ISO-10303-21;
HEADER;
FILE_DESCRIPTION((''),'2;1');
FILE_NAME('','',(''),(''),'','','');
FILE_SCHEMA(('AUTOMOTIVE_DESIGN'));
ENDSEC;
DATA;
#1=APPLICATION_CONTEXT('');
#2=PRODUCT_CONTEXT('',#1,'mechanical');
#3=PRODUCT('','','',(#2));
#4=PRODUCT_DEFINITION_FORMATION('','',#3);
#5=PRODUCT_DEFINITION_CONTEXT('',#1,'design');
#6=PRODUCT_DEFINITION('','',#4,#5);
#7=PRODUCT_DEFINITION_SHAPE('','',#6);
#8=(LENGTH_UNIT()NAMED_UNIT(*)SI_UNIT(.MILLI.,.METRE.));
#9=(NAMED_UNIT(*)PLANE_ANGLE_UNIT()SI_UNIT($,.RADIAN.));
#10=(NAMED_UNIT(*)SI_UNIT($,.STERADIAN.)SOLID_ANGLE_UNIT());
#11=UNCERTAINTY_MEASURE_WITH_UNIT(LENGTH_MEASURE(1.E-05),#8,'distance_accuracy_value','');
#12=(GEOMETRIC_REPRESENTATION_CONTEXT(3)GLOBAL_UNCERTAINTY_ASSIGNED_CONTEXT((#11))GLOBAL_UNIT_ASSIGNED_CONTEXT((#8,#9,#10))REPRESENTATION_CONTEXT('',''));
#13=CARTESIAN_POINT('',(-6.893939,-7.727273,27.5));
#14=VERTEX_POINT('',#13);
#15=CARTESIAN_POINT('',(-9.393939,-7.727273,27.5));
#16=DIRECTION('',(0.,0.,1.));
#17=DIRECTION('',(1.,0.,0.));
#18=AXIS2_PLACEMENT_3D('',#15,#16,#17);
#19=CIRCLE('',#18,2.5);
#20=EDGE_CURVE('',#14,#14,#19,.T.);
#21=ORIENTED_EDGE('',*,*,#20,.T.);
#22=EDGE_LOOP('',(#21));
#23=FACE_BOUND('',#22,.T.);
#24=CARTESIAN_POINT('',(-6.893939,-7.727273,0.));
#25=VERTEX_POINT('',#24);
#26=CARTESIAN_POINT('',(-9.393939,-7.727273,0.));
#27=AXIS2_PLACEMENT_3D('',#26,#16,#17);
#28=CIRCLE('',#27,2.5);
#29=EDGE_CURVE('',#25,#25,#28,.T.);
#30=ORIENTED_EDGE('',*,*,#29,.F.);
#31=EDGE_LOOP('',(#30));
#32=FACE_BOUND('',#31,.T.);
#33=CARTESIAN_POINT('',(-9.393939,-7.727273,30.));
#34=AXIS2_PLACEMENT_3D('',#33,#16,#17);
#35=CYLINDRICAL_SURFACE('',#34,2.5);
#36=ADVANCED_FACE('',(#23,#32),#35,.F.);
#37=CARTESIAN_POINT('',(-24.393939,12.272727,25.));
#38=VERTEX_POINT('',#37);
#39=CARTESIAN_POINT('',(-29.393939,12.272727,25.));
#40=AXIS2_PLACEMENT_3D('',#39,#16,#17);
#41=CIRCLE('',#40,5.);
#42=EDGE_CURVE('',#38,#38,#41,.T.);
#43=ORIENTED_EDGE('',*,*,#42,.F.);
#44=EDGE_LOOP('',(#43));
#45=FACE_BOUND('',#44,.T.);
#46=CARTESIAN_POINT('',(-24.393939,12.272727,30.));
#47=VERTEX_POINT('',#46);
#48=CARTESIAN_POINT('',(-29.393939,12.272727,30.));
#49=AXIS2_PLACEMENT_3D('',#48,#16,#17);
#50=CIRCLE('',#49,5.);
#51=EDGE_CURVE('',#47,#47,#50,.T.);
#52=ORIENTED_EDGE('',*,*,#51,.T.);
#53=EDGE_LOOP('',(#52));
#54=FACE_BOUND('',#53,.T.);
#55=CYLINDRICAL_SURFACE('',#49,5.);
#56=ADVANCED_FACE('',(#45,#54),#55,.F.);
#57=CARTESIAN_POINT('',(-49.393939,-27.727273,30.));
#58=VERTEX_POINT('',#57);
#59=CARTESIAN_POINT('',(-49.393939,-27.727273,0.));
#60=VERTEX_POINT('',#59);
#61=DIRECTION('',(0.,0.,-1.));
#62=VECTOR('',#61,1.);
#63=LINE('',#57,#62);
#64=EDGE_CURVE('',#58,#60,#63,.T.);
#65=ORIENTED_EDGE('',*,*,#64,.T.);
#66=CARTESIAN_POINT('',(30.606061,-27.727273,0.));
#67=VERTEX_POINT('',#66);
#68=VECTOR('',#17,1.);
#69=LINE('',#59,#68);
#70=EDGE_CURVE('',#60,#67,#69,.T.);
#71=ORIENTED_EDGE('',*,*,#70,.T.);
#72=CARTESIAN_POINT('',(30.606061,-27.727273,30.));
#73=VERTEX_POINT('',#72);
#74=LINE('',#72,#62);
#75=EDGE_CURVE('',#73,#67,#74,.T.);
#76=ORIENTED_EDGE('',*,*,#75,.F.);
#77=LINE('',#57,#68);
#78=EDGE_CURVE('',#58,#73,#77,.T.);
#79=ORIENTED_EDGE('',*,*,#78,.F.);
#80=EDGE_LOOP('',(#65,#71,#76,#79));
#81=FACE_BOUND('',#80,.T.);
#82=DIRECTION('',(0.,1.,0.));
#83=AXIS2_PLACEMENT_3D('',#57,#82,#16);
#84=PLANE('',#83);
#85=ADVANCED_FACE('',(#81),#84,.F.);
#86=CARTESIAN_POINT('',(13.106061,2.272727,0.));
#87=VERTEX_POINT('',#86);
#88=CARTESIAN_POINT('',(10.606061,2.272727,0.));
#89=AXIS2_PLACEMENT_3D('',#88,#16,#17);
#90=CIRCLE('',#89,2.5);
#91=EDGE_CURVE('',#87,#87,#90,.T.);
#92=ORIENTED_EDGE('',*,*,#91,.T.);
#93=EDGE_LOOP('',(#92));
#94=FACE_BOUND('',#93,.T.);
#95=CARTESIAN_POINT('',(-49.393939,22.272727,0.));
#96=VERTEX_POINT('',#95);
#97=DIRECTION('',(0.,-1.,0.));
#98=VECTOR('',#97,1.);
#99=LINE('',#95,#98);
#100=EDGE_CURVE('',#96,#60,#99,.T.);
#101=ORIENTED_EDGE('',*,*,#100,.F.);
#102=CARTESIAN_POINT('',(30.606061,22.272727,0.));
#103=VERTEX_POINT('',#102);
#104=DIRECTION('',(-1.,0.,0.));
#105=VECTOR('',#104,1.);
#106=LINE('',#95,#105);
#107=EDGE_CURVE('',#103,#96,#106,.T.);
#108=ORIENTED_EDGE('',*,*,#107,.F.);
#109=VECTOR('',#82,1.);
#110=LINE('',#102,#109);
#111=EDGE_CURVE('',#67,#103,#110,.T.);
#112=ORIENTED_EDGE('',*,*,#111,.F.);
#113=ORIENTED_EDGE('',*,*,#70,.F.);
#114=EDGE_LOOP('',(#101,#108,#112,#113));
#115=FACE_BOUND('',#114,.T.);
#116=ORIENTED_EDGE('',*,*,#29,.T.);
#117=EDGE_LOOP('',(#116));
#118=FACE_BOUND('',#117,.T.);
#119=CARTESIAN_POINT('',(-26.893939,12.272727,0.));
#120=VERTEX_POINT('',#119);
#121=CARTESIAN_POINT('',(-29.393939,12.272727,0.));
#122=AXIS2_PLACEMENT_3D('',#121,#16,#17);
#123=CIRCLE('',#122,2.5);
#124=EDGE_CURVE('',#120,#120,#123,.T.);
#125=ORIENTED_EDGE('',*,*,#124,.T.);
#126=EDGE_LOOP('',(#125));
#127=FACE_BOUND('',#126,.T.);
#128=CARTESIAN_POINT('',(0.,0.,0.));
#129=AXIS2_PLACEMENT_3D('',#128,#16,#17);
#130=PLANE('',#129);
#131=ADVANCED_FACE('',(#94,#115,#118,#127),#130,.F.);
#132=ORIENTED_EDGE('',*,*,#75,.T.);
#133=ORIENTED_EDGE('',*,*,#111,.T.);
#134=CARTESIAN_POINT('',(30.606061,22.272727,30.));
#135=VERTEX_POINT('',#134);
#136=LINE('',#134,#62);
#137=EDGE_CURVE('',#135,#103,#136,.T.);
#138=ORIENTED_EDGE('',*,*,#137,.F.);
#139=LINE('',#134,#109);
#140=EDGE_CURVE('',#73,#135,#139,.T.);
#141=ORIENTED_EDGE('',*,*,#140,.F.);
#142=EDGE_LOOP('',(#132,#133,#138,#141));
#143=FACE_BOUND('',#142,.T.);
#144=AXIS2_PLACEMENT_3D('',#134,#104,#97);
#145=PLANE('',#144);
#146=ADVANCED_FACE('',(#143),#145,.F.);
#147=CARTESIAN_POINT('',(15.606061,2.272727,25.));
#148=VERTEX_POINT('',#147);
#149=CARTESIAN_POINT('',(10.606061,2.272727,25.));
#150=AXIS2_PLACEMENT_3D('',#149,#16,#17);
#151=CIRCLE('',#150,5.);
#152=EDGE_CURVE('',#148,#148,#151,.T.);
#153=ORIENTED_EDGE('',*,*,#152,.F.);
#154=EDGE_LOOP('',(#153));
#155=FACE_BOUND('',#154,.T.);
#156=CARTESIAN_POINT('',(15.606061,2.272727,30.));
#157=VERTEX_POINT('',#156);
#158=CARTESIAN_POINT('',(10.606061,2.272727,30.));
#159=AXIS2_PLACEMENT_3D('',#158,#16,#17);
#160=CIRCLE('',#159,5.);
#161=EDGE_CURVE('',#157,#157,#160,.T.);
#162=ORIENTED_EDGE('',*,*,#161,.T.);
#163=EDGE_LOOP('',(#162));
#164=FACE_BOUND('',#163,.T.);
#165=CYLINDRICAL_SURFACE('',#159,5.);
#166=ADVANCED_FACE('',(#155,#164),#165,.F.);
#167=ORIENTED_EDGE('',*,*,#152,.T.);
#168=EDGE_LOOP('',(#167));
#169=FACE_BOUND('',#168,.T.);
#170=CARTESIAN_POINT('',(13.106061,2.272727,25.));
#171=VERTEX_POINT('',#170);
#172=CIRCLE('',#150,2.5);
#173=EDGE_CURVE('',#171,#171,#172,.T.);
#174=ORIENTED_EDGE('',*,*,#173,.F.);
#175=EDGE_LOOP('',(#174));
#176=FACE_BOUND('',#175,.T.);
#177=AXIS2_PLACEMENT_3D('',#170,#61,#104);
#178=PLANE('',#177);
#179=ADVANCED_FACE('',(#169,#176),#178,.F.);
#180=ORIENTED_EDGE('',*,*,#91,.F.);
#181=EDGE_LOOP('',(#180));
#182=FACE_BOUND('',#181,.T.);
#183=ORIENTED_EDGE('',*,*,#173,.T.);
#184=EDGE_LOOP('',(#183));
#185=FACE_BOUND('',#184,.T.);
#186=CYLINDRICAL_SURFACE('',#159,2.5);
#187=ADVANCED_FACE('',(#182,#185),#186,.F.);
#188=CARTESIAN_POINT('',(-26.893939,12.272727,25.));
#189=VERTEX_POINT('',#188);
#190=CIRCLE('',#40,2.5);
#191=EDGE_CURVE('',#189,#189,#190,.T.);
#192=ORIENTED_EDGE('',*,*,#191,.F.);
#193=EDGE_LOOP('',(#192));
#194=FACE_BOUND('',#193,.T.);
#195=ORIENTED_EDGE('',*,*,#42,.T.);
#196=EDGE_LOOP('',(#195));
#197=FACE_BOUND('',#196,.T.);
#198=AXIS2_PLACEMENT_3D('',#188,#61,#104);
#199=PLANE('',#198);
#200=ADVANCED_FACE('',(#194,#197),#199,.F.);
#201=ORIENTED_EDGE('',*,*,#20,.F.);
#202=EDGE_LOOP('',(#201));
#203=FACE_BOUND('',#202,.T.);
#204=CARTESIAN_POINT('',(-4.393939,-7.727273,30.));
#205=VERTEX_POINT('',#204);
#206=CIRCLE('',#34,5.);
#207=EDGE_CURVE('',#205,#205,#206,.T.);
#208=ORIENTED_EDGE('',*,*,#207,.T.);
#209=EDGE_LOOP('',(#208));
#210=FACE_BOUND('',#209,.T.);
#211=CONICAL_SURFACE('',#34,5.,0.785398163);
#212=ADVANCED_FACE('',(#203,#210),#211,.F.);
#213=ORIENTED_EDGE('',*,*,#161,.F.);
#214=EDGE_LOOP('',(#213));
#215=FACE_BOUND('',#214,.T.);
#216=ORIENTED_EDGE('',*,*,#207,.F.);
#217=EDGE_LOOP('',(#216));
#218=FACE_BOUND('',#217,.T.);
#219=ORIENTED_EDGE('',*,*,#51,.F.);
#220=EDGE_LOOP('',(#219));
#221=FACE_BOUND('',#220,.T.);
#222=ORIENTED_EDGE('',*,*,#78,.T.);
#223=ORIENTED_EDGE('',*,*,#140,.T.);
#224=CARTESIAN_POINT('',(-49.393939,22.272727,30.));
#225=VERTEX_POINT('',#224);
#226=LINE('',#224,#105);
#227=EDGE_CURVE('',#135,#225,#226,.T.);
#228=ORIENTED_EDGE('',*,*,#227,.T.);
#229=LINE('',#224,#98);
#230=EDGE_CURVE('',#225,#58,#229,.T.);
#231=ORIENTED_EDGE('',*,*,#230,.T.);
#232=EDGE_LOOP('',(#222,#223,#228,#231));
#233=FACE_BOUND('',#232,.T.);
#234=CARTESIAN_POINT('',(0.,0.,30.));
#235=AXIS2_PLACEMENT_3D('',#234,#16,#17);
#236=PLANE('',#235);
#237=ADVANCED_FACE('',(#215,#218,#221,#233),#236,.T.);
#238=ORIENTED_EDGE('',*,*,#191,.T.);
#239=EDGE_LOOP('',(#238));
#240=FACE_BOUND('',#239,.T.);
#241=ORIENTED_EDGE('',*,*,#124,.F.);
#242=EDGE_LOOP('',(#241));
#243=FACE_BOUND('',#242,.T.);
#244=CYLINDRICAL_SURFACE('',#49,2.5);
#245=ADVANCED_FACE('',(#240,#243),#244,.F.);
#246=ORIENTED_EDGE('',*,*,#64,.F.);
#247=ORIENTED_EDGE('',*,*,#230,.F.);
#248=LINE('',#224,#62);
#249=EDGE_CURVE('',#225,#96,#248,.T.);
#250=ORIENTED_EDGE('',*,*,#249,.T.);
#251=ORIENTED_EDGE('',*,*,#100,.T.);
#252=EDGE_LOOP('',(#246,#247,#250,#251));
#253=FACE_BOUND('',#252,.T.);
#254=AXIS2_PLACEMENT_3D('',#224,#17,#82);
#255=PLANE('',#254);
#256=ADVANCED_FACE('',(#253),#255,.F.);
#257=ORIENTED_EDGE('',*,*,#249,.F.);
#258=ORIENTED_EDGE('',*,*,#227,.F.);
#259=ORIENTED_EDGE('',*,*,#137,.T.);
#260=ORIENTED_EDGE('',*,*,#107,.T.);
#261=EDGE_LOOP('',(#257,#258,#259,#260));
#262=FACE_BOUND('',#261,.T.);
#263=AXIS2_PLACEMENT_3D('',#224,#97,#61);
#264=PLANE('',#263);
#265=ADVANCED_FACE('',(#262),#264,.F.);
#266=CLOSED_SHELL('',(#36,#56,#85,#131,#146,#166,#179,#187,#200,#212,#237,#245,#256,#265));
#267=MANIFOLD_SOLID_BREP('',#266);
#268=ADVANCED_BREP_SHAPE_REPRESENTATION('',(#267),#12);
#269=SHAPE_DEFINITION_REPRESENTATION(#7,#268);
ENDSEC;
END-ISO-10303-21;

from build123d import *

# Parameters (mm, degrees)
SKETCH1_W                                        = 80
SKETCH1_H                                        = 50
BOSS_EXTRUDE1_DEPTH                              = 30
CBORE_FOR_M10_HEX_HEAD_BOLT8_D                   = 5
CBORE_FOR_M10_HEX_HEAD_BOLT8_CBORE_D             = 10
CBORE_FOR_M10_HEX_HEAD_BOLT8_CBORE_DEPTH         = 5
CBORE_FOR_M10_HEX_HEAD_BOLT9_D                   = 5
CBORE_FOR_M10_HEX_HEAD_BOLT9_CBORE_D             = 10
CBORE_FOR_M10_HEX_HEAD_BOLT9_CBORE_DEPTH         = 5
CSK_FOR_M10_FLAT_HEAD_MACHINE_SCREW1_D           = 5
CSK_FOR_M10_FLAT_HEAD_MACHINE_SCREW1_CSINK_D     = 10
CSK_FOR_M10_FLAT_HEAD_MACHINE_SCREW1_CSINK_ANGLE = 90


with BuildPart() as part:
    # Sketch1 → Boss-Extrude1 (new body)
    with BuildSketch(Plane.XY):
        with Locations((-9.393939394, -2.727272727)):
            Rectangle(SKETCH1_W, SKETCH1_H)
    extrude(amount=BOSS_EXTRUDE1_DEPTH)

    # CBORE for M10 Hex Head Bolt8 (through all)
    with Locations(Plane.XY.offset(30)):
        with Locations((-29.393939394, 12.272727273)):
            CounterBoreHole(CBORE_FOR_M10_HEX_HEAD_BOLT8_D / 2, CBORE_FOR_M10_HEX_HEAD_BOLT8_CBORE_D / 2, CBORE_FOR_M10_HEX_HEAD_BOLT8_CBORE_DEPTH)

    # CBORE for M10 Hex Head Bolt9 (through all)
    with Locations(Plane.XY.offset(30)):
        with Locations((10.606060606, 2.272727273)):
            CounterBoreHole(CBORE_FOR_M10_HEX_HEAD_BOLT9_D / 2, CBORE_FOR_M10_HEX_HEAD_BOLT9_CBORE_D / 2, CBORE_FOR_M10_HEX_HEAD_BOLT9_CBORE_DEPTH)

    # CSK for M10 Flat Head Machine Screw1 (through all)
    with Locations(Plane.XY.offset(30)):
        with Locations((-9.393939394, -7.727272727)):
            CounterSinkHole(CSK_FOR_M10_FLAT_HEAD_MACHINE_SCREW1_D / 2, CSK_FOR_M10_FLAT_HEAD_MACHINE_SCREW1_CSINK_D / 2, counter_sink_angle=CSK_FOR_M10_FLAT_HEAD_MACHINE_SCREW1_CSINK_ANGLE)


solid = part.part
